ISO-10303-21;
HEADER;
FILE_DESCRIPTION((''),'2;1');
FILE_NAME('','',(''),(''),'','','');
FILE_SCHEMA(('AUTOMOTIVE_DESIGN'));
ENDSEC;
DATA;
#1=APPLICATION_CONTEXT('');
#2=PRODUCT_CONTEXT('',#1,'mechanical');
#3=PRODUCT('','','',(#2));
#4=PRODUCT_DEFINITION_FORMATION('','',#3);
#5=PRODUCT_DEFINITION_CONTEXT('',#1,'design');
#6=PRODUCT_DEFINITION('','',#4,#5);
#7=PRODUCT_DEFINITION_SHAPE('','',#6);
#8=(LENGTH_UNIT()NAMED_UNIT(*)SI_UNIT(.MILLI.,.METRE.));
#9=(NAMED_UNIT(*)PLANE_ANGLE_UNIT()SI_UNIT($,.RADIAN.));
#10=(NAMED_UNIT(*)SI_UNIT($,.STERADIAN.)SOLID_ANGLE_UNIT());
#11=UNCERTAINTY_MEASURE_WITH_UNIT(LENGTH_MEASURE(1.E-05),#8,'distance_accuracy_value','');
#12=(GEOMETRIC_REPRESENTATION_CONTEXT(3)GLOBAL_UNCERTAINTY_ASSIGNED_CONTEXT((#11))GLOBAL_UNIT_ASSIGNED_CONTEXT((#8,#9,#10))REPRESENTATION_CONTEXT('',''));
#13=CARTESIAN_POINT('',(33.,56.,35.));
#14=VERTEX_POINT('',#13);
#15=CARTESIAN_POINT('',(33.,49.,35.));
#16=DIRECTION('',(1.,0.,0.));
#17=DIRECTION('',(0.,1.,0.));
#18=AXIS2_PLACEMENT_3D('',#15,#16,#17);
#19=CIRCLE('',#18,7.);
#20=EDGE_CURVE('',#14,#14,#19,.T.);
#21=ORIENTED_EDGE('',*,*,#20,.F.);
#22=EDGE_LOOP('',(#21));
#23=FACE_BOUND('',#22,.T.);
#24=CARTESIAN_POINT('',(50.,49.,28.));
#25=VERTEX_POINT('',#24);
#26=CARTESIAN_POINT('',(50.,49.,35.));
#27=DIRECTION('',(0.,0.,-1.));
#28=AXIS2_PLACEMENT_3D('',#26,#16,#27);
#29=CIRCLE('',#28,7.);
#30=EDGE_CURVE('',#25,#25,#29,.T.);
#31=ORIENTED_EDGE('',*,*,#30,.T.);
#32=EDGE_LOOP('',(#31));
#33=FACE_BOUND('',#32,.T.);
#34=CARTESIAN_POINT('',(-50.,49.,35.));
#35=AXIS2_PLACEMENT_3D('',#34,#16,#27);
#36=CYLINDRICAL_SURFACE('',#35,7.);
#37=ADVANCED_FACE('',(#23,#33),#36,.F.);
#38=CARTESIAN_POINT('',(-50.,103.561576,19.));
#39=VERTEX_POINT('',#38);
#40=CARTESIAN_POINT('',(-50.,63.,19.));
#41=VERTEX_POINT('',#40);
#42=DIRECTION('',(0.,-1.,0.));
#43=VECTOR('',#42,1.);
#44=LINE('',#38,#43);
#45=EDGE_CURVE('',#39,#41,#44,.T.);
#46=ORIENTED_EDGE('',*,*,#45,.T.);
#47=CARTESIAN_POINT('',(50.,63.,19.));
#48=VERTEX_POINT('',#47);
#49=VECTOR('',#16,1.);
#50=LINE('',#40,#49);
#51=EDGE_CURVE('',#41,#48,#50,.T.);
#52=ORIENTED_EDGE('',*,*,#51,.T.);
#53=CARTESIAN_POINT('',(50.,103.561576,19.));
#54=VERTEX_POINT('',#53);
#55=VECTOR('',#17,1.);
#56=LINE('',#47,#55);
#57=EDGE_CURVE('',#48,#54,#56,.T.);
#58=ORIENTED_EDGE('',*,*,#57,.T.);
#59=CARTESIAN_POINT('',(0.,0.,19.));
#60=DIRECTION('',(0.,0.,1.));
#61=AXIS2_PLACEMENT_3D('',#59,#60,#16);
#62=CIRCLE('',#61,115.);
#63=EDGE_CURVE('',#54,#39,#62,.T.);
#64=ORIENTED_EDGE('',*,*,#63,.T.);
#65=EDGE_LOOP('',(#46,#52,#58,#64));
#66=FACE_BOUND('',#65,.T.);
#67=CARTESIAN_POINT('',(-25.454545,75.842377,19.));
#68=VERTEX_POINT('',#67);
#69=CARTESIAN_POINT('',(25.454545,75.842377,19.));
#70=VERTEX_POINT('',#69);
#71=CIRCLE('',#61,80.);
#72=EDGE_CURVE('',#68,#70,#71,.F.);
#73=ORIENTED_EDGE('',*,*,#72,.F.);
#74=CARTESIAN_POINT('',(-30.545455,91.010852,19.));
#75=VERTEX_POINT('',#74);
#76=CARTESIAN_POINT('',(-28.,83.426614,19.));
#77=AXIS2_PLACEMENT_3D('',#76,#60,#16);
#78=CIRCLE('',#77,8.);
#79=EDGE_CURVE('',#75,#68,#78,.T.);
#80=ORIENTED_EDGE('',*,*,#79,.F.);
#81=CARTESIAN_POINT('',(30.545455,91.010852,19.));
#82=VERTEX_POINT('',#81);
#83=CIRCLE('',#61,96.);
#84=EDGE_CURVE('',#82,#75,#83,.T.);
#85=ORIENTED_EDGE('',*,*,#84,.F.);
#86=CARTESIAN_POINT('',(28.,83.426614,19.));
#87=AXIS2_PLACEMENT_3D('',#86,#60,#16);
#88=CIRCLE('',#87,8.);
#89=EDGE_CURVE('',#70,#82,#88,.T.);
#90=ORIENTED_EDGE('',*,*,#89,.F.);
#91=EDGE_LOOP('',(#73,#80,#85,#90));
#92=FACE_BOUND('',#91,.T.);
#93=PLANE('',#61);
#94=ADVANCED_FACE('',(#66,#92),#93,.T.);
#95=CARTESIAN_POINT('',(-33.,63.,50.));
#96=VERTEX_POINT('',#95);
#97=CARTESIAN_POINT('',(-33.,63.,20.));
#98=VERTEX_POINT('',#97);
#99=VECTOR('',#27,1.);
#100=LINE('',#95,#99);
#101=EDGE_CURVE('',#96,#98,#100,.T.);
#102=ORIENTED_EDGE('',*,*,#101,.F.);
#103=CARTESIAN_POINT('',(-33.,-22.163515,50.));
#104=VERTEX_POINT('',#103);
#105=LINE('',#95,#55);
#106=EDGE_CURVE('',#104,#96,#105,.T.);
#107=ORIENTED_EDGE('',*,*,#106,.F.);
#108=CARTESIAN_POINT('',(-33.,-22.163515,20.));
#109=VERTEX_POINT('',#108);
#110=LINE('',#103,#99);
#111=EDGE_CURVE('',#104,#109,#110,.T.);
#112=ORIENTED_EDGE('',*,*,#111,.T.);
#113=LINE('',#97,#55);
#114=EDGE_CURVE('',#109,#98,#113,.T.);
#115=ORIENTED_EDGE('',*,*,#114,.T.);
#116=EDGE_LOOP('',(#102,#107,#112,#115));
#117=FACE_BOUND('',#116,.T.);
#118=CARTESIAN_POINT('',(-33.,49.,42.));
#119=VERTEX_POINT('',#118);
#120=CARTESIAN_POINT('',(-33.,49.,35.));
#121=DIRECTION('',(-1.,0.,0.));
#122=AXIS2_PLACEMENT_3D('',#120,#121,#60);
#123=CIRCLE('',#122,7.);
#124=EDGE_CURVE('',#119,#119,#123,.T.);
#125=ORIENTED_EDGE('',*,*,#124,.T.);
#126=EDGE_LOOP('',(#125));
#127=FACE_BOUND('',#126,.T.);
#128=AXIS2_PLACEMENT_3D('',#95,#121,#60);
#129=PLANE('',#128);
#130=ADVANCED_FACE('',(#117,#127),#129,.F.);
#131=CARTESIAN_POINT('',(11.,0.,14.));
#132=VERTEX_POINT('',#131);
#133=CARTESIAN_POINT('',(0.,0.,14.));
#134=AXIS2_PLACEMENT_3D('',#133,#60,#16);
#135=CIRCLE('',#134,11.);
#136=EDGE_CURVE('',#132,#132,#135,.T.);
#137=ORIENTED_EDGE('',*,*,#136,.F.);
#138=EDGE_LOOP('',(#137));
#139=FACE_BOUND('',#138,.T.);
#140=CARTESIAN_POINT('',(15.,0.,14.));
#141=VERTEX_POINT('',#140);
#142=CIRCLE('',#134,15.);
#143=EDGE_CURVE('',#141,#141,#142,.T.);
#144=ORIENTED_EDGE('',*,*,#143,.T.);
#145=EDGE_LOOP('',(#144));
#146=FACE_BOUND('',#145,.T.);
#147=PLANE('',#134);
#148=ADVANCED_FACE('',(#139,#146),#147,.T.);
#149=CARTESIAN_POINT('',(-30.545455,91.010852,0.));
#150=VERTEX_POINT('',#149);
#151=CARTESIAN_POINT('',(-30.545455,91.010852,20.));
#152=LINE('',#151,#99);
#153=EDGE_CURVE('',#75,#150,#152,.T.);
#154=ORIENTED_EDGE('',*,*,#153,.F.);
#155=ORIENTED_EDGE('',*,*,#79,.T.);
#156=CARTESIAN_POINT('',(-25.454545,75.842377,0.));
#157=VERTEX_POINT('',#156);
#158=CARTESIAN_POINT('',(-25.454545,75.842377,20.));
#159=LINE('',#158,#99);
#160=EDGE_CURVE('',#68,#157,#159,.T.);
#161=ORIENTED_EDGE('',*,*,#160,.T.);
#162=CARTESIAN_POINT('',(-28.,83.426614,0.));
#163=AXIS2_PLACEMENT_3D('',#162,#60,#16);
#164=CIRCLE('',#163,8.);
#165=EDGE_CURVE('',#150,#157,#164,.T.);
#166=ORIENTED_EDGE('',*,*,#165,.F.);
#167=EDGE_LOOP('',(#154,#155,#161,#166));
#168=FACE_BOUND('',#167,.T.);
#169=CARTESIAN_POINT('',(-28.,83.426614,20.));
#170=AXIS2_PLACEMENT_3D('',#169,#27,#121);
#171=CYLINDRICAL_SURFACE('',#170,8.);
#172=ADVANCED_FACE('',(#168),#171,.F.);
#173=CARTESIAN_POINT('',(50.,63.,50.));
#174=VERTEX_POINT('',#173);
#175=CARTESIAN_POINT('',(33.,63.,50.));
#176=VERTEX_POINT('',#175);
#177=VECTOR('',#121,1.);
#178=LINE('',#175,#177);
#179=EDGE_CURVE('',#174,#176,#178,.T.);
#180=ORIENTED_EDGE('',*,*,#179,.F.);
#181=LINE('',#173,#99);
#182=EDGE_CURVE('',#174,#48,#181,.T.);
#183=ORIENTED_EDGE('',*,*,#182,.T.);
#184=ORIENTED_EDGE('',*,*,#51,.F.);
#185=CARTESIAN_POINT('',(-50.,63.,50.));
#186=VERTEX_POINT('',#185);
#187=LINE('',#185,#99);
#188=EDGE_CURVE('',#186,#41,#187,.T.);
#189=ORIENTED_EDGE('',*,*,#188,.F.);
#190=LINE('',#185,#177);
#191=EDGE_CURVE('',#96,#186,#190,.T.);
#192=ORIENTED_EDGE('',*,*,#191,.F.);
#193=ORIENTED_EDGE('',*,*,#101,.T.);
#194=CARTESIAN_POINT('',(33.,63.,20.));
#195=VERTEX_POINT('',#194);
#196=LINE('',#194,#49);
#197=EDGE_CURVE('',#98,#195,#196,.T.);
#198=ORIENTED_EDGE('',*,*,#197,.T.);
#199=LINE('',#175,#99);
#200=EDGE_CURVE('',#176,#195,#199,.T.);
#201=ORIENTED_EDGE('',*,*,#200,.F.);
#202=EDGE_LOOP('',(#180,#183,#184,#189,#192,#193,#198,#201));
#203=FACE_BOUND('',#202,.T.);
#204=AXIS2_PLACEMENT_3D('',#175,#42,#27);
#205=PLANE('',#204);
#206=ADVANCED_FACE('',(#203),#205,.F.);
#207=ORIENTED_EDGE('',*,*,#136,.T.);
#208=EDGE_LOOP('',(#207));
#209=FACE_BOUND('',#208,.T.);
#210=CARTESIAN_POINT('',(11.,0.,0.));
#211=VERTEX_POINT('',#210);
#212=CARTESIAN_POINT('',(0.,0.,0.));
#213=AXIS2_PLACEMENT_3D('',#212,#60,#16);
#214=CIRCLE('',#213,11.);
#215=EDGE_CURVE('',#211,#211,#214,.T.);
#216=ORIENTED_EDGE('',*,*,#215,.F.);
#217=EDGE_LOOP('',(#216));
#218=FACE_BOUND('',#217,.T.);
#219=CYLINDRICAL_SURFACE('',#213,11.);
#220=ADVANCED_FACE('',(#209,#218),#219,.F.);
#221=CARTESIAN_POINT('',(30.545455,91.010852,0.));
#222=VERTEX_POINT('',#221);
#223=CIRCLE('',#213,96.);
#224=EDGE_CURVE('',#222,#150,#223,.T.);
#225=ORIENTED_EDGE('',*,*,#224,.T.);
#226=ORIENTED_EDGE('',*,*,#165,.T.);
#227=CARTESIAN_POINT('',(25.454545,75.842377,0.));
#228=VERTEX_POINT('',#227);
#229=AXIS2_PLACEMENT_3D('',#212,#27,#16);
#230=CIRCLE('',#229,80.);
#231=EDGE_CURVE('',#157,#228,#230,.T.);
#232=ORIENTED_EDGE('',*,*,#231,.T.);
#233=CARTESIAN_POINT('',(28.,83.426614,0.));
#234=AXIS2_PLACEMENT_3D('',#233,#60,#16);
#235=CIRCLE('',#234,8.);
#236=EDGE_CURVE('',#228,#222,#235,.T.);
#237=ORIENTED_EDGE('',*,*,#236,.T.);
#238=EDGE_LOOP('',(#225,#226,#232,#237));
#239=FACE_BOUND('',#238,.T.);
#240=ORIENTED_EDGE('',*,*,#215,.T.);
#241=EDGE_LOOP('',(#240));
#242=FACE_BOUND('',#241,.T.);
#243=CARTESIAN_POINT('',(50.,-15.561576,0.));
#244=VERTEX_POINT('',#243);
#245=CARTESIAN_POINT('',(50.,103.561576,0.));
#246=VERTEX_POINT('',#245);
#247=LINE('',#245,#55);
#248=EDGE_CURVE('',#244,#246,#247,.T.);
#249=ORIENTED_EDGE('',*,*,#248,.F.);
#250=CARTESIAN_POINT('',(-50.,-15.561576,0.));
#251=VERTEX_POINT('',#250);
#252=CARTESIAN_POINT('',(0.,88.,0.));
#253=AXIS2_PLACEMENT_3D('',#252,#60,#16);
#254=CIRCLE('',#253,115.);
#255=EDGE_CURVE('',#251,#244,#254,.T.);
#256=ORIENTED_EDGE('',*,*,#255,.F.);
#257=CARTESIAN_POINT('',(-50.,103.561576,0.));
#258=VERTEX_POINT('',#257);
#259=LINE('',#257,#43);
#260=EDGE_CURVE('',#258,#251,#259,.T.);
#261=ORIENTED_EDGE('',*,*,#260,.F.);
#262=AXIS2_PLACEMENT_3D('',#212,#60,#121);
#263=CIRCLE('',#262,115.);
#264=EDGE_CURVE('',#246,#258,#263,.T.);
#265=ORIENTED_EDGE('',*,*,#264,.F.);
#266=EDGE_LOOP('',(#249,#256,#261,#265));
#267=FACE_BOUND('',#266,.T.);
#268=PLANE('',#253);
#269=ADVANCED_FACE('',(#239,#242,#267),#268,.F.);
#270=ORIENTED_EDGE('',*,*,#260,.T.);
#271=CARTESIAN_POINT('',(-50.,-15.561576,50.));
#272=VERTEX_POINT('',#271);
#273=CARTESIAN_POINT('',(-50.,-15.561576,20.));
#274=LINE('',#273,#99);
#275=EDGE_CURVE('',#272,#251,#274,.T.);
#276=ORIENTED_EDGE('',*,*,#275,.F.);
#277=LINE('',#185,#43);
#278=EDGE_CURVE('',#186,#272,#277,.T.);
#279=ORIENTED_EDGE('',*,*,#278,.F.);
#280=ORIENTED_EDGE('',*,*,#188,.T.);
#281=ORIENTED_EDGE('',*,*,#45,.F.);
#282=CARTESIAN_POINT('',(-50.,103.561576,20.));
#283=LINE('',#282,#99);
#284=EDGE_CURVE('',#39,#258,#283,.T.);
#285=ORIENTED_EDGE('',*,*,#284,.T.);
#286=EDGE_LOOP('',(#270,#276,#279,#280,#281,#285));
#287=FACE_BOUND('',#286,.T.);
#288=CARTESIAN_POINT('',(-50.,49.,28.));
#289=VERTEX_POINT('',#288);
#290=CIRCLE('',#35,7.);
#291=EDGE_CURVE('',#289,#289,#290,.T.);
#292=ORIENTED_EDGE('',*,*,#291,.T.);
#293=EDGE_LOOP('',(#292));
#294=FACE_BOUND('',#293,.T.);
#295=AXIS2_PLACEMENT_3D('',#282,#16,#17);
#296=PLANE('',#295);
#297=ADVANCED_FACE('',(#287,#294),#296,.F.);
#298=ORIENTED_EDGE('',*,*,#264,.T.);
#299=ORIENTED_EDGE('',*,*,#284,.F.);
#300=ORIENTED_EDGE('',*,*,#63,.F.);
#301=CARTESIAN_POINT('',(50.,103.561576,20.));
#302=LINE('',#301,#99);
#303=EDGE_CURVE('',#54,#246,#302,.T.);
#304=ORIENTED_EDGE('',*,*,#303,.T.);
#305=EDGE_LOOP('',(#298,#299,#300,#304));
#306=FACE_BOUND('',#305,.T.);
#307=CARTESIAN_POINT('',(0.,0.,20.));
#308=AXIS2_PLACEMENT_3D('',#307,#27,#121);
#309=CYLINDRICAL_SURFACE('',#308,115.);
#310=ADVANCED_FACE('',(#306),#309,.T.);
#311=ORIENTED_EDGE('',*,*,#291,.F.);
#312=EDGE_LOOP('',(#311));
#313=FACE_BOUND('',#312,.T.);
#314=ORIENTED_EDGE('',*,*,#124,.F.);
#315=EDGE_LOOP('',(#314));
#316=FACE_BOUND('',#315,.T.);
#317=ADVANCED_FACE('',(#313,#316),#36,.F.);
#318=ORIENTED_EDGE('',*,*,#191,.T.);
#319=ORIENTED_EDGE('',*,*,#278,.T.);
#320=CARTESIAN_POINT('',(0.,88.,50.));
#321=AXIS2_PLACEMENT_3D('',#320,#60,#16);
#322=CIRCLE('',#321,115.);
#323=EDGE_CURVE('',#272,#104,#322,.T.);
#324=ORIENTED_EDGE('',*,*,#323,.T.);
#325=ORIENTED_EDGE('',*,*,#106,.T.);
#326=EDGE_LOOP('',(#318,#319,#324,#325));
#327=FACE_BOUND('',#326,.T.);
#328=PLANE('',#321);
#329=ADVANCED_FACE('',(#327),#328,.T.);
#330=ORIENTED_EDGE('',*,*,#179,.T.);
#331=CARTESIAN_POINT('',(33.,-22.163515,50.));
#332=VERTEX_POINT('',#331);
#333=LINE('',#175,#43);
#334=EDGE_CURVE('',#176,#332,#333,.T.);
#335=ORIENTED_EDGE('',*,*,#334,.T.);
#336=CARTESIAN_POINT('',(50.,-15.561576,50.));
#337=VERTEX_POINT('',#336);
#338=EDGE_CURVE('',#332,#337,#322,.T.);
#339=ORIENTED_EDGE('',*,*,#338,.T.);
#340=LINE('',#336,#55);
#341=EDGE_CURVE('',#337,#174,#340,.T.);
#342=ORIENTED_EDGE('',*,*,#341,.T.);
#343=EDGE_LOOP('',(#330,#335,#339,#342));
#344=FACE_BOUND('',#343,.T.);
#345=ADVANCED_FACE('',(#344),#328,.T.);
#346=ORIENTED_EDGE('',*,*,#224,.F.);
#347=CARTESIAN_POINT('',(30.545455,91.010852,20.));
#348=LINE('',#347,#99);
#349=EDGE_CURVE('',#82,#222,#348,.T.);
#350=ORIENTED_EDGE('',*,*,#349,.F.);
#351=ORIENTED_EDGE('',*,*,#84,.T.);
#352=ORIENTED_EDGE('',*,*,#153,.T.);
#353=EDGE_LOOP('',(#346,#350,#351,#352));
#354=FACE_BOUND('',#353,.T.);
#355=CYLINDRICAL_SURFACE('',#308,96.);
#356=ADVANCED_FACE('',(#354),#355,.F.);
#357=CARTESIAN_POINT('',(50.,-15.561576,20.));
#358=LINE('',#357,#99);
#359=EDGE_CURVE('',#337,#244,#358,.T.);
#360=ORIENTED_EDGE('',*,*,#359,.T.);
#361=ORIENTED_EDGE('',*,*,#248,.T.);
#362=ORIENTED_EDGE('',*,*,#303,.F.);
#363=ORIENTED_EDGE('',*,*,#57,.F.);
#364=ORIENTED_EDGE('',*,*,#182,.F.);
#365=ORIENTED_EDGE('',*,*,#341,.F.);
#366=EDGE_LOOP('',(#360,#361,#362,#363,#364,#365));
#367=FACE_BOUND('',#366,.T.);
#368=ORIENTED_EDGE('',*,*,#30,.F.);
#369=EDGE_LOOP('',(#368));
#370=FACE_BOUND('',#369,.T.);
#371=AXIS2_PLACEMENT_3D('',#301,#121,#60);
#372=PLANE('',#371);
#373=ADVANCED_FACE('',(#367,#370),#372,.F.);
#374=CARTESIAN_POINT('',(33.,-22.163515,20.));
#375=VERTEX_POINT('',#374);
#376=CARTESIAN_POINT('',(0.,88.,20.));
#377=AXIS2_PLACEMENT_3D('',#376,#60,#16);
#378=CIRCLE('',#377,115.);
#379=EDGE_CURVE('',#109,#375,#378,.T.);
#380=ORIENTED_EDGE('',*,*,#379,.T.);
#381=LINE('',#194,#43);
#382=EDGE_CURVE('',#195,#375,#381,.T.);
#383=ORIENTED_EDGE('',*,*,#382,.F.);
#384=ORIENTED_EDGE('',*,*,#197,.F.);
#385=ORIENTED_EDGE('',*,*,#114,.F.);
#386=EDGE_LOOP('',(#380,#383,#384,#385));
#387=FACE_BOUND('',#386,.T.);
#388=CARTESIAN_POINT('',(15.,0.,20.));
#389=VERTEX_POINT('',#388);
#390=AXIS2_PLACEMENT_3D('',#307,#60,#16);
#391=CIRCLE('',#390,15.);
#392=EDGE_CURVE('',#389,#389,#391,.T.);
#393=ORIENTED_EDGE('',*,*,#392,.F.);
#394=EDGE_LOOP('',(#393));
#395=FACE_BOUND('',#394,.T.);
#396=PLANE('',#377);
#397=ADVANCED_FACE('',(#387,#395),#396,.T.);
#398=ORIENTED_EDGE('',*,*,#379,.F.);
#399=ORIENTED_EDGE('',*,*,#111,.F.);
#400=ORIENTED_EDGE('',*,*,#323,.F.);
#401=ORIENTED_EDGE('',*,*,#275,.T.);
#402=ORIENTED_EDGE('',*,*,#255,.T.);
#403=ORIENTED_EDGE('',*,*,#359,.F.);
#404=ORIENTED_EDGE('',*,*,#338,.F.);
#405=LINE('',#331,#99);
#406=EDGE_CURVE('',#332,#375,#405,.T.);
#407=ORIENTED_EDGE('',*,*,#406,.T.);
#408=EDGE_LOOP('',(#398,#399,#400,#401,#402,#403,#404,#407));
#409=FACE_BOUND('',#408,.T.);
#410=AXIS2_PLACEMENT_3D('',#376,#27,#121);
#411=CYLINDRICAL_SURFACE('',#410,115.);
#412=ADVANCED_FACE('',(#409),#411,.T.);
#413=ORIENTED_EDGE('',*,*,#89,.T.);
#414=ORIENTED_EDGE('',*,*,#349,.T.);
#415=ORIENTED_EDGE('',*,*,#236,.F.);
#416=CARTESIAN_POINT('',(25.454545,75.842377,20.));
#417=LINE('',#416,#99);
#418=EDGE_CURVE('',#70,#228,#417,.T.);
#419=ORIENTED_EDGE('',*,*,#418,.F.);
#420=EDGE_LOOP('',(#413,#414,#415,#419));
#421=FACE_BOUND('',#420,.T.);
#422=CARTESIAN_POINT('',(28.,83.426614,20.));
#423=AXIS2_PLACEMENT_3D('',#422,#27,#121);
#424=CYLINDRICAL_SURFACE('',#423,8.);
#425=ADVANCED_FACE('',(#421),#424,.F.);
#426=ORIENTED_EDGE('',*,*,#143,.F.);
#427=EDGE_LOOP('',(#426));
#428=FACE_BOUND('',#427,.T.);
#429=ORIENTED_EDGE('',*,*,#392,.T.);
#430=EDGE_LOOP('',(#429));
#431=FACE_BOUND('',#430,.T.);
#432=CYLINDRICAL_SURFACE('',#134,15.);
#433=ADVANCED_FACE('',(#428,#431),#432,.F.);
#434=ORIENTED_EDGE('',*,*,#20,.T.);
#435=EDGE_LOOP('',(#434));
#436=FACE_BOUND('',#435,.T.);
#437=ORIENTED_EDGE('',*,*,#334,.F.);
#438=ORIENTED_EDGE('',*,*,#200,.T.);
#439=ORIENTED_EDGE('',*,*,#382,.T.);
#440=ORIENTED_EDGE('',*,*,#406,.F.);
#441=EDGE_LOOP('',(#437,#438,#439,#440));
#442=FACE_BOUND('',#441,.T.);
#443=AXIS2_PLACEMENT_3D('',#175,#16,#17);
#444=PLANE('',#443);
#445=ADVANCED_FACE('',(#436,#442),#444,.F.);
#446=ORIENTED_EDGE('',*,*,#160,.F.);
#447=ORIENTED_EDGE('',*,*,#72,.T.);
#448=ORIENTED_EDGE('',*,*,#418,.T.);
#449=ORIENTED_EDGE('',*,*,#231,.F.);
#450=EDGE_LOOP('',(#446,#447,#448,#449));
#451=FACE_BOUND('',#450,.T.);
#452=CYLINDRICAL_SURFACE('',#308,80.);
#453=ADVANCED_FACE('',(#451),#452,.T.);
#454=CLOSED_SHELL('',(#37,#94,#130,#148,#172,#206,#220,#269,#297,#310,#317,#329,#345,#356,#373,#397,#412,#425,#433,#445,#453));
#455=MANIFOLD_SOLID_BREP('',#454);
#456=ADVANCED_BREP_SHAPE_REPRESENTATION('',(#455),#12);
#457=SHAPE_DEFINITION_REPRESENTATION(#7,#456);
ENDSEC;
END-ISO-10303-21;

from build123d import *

# Parameters (mm, degrees)
BOSS_EXTRUDE1_DEPTH = 20
BOSS_EXTRUDE2_DEPTH = 30
CUT_EXTRUDE1_DEPTH  = 1
SKETCH8_R           = 15
CUT_EXTRUDE2_DEPTH  = 6
SKETCH9_R           = 11
CUT_EXTRUDE3_DEPTH  = 15
SKETCH10_R          = 7
CUT_EXTRUDE4_DEPTH  = 101


with BuildPart() as part:
    # Sketch3 → Boss-Extrude1 (new body)
    with BuildSketch(Plane.XY):
        with BuildLine():
            Line((-50, 103.561575886), (-50, -15.561575886))
            ThreePointArc((-50, -15.561575886), (0, -27), (50, -15.561575886))
            Line((50, -15.561575886), (50, 103.561575886))
            ThreePointArc((50, 103.561575886), (0, 115), (-50, 103.561575886))
        make_face()
        with BuildLine():
            ThreePointArc((30.545454545, 91.010852136), (0, 96), (-30.545454545, 91.010852136))
            ThreePointArc((-30.545454545, 91.010852136), (-35.584237678, 80.881159913), (-25.454545455, 75.84237678))
            ThreePointArc((-25.454545455, 75.84237678), (0, 80), (25.454545455, 75.84237678))
            ThreePointArc((25.454545455, 75.84237678), (35.584237678, 80.881159913), (30.545454545, 91.010852136))
        make_face(mode=Mode.SUBTRACT)
    extrude(amount=BOSS_EXTRUDE1_DEPTH)

    # Sketch5 → Boss-Extrude2 (add)
    with BuildSketch(Plane.XY.offset(20)):
        with BuildLine():
            Line((-50, 63), (-33, 63))
            Line((-33, 63), (-33, -22.163514831))
            ThreePointArc((-33, -22.163514831), (-41.631074926, -19.200063435), (-50, -15.561575886))
            Line((-50, -15.561575886), (-50, 63))
        make_face()
        with BuildLine():
            Line((50, -15.561575886), (50, 63))
            Line((50, 63), (33, 63))
            Line((33, 63), (33, -22.163514831))
            ThreePointArc((33, -22.163514831), (41.631074926, -19.200063435), (50, -15.561575886))
        make_face()
    extrude(amount=BOSS_EXTRUDE2_DEPTH)

    # Sketch6 → Cut-Extrude1 (cut)
    with BuildSketch(Plane.XY.offset(20)):
        with BuildLine():
            Line((-33, 63), (33, 63))
            Line((33, 63), (50, 63))
            Line((50, 63), (50, 103.561575886))
            ThreePointArc((50, 103.561575886), (0, 115), (-50, 103.561575886))
            Line((-50, 103.561575886), (-50, 63))
            Line((-50, 63), (-33, 63))
        make_face()
    extrude(amount=-CUT_EXTRUDE1_DEPTH, mode=Mode.SUBTRACT)

    # Sketch8 → Cut-Extrude2 (cut)
    with BuildSketch(Plane.XY.offset(20)):
        Circle(SKETCH8_R)
    extrude(amount=-CUT_EXTRUDE2_DEPTH, mode=Mode.SUBTRACT)

    # Sketch9 → Cut-Extrude3 (cut, through all)
    with BuildSketch(Plane.XY.offset(14)):
        Circle(SKETCH9_R)
    extrude(amount=-CUT_EXTRUDE3_DEPTH, mode=Mode.SUBTRACT)

    # Sketch10 → Cut-Extrude4 (cut, through all)
    with BuildSketch(Plane(origin=(50, 0, 0), x_dir=(0, 0, -1), z_dir=(1, 0, 0))):
        with Locations((-35, 49)):
            Circle(SKETCH10_R)
    extrude(amount=-CUT_EXTRUDE4_DEPTH, mode=Mode.SUBTRACT)


solid = part.part
